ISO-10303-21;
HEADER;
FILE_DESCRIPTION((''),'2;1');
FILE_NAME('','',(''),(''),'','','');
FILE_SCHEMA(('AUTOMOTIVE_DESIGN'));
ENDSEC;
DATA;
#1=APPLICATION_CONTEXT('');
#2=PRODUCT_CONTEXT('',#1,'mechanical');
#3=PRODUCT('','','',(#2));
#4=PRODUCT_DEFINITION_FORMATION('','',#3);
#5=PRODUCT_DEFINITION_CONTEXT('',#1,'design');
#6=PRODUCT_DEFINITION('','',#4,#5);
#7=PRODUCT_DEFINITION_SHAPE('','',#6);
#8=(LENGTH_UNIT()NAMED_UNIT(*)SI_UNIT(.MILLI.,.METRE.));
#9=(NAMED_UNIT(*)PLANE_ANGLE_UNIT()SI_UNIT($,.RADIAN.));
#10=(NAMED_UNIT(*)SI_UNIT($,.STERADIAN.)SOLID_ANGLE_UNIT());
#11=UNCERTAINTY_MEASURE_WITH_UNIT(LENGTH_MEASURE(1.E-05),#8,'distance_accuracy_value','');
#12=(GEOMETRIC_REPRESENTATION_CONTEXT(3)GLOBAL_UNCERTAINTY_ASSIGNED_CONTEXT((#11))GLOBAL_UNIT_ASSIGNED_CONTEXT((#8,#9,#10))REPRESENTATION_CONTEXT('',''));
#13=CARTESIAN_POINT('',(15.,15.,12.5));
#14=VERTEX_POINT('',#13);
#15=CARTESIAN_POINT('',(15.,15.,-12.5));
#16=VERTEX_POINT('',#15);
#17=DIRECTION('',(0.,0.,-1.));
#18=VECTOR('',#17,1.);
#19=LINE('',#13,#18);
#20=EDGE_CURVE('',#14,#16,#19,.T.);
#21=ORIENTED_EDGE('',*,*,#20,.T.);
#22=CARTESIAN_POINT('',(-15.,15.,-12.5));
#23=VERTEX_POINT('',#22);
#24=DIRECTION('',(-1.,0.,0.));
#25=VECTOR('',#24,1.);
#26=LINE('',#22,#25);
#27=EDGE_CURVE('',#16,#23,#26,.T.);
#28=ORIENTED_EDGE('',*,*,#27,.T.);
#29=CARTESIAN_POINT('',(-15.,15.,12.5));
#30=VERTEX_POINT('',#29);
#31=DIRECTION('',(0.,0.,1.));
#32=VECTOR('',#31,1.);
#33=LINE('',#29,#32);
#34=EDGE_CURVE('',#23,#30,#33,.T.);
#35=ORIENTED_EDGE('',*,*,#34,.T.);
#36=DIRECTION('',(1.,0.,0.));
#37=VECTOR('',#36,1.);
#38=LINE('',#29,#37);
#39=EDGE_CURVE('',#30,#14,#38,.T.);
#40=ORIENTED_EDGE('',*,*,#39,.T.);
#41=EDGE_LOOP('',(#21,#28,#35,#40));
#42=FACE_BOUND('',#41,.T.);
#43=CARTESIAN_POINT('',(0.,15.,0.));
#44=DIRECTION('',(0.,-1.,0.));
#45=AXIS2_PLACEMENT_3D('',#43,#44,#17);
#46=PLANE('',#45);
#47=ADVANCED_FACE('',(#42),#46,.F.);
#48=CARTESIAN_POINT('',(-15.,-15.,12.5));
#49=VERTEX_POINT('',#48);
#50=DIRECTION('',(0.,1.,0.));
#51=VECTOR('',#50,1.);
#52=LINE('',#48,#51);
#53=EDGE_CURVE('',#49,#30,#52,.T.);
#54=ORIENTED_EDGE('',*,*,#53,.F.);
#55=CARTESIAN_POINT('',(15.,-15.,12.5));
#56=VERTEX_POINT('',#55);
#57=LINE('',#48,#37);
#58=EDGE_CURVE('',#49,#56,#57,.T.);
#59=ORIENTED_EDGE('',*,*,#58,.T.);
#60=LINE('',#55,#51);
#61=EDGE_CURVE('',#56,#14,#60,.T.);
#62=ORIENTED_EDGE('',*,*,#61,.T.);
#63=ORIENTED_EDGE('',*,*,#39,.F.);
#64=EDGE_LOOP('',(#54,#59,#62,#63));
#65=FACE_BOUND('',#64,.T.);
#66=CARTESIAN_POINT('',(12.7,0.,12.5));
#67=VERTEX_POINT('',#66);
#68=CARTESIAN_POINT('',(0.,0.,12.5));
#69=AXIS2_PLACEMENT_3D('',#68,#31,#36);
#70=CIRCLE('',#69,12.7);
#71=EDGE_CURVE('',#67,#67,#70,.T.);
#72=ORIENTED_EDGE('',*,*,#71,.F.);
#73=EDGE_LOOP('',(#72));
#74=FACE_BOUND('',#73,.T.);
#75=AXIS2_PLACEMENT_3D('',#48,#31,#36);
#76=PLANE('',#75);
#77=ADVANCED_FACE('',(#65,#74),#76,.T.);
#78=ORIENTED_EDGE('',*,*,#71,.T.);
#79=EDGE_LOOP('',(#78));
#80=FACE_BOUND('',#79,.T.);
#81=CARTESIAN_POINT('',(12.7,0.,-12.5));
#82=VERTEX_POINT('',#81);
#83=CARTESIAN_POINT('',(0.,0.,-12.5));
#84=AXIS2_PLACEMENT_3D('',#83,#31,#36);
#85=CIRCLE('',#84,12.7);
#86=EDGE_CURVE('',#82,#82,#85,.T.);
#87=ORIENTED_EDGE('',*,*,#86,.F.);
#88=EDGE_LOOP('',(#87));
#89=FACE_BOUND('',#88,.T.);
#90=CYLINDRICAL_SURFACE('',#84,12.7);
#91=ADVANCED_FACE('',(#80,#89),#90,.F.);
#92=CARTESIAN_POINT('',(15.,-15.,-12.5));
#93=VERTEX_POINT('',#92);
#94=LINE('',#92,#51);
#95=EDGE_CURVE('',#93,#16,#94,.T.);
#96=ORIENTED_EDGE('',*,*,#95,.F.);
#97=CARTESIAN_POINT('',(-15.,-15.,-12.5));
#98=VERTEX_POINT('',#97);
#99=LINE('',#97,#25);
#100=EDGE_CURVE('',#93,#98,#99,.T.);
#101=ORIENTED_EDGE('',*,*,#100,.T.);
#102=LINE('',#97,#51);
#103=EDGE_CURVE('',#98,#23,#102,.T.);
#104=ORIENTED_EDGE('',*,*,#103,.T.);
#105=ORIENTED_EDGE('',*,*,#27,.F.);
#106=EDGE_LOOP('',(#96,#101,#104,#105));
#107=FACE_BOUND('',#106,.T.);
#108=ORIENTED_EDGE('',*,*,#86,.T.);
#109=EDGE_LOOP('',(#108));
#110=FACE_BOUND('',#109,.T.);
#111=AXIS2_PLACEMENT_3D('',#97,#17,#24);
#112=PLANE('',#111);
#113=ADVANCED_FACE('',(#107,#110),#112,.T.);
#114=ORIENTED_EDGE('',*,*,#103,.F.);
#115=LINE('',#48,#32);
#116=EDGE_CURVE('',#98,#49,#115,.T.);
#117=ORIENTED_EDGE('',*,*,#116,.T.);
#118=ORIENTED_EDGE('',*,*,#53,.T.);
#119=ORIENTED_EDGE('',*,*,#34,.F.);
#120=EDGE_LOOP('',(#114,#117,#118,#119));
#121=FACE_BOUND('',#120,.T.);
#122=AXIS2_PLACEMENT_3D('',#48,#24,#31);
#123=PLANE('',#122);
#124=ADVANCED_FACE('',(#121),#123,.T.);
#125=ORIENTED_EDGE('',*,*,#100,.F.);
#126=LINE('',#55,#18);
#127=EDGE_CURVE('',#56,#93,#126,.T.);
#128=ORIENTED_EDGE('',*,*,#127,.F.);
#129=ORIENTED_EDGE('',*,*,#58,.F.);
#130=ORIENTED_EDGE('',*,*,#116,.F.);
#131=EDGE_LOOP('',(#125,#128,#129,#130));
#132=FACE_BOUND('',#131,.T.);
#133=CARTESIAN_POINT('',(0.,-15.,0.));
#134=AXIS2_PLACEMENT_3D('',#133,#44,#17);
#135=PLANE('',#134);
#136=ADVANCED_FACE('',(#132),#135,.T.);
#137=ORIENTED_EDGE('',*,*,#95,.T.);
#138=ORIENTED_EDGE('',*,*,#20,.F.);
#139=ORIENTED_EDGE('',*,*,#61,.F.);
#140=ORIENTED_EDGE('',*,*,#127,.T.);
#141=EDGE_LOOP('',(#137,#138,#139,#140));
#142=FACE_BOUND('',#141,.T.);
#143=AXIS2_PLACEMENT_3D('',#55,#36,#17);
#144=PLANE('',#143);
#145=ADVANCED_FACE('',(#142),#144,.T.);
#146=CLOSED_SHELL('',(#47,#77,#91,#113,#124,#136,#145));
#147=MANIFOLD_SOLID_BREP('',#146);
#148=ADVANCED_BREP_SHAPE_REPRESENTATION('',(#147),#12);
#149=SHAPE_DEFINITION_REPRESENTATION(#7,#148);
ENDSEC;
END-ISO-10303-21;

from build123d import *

# Parameters (mm, degrees)
BOSS_EXTRUDE1_DEPTH      = 15
BOSS_EXTRUDE1_DEPTH_BACK = 15
SKETCH1_W                = 30
SKETCH1_H                = 25
SKETCH2_R                = 12.7
CUT_EXTRUDE1_DEPTH       = 33.787192622


with BuildPart() as part:
    # Sketch1 → Boss-Extrude1 (new, two sides: drawn at the far end of the back side and taken through both)
    with BuildSketch(Plane(origin=(0, 0, 0), x_dir=(1, 0, 0), z_dir=(0, 1, 0)).offset(-BOSS_EXTRUDE1_DEPTH_BACK)):
        Rectangle(SKETCH1_W, SKETCH1_H)
    extrude(amount=BOSS_EXTRUDE1_DEPTH + BOSS_EXTRUDE1_DEPTH_BACK)

    # Sketch2 → Cut-Extrude1 (cut, through all)
    with BuildSketch(Plane.XY.offset(12.5)):
        Circle(SKETCH2_R)
    extrude(amount=-CUT_EXTRUDE1_DEPTH, mode=Mode.SUBTRACT)


solid = part.part
